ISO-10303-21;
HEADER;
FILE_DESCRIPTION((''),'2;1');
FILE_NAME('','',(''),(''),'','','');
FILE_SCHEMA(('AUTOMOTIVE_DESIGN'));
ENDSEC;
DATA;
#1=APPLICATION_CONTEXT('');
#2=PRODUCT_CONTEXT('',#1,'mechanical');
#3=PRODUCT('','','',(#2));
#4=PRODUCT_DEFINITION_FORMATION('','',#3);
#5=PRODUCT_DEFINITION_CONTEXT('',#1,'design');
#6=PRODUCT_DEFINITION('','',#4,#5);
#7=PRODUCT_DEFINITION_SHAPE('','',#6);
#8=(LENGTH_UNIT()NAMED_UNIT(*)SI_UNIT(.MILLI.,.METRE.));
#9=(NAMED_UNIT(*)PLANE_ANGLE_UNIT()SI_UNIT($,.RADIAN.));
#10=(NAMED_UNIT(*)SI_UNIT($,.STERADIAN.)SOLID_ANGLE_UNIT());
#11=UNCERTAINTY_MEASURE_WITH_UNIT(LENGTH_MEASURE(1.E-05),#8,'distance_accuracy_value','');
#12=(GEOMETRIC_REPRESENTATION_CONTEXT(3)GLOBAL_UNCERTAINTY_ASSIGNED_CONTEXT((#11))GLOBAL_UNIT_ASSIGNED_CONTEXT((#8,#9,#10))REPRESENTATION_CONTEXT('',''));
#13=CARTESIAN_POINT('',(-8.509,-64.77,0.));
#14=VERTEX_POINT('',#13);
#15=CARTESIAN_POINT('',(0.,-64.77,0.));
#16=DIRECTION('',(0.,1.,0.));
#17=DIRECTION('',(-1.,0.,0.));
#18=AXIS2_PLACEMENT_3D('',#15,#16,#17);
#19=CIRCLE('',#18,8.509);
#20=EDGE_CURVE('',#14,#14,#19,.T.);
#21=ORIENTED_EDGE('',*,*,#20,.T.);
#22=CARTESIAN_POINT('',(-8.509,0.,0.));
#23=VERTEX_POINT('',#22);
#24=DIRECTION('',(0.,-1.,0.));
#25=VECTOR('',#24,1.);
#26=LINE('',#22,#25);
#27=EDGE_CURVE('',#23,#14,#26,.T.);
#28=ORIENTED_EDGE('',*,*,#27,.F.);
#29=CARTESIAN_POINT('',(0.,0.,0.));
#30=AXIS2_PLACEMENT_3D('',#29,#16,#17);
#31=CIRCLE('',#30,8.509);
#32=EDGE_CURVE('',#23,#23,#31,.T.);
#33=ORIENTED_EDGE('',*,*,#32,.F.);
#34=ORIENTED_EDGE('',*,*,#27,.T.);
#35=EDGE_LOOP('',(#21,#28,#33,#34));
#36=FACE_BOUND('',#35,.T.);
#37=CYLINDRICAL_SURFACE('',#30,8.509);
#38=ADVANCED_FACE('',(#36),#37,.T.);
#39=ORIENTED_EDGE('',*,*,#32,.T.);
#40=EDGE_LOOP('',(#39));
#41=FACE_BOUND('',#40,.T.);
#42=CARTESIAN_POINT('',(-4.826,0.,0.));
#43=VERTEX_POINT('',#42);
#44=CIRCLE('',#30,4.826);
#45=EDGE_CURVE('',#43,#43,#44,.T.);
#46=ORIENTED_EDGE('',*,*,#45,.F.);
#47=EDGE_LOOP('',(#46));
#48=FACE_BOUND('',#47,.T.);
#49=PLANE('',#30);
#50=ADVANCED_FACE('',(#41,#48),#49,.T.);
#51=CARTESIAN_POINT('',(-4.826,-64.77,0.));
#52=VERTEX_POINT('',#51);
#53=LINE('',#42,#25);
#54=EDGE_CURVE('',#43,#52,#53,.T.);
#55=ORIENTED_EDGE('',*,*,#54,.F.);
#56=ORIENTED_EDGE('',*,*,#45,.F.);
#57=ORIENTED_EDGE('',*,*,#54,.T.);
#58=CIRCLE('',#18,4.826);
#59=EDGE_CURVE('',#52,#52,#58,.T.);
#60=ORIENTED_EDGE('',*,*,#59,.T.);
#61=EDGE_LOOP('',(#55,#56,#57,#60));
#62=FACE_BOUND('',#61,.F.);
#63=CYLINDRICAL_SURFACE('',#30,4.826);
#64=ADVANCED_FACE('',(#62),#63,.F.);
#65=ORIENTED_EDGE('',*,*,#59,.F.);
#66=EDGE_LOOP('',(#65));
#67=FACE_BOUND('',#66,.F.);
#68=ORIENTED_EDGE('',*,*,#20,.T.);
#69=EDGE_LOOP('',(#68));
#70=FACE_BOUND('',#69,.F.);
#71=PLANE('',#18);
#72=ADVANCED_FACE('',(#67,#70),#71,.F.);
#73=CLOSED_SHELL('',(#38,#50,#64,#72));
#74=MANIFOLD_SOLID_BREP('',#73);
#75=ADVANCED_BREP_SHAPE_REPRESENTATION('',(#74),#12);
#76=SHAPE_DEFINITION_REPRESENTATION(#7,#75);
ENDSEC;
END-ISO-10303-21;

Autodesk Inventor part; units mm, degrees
ref_plane "YZ Plane" through (0, 0, 0) normal (1, 0, 0) x (0, 1, 0)
ref_plane "XZ Plane" through (0, 0, 0) normal (0, 1, 0) x (-1, 0, 0)
ref_plane "XY Plane" through (0, 0, 0) normal (0, 0, 1) x (1, 0, 0)
sketch "Sketch1" plane through (0, 0, 0) normal (0, 1, 0) x (-1, 0, 0)
  circle A0 centre (0, 0) radius 8.509
  circle A1 centre (0, 0) radius 4.826
  dimension "d0" = 17.018
  dimension "d1" = 9.652
extrude "Extrusion1" add sketch "Sketch1" against normal blind 64.77
properties part number "fc17-010" material "ABS Plastic"
